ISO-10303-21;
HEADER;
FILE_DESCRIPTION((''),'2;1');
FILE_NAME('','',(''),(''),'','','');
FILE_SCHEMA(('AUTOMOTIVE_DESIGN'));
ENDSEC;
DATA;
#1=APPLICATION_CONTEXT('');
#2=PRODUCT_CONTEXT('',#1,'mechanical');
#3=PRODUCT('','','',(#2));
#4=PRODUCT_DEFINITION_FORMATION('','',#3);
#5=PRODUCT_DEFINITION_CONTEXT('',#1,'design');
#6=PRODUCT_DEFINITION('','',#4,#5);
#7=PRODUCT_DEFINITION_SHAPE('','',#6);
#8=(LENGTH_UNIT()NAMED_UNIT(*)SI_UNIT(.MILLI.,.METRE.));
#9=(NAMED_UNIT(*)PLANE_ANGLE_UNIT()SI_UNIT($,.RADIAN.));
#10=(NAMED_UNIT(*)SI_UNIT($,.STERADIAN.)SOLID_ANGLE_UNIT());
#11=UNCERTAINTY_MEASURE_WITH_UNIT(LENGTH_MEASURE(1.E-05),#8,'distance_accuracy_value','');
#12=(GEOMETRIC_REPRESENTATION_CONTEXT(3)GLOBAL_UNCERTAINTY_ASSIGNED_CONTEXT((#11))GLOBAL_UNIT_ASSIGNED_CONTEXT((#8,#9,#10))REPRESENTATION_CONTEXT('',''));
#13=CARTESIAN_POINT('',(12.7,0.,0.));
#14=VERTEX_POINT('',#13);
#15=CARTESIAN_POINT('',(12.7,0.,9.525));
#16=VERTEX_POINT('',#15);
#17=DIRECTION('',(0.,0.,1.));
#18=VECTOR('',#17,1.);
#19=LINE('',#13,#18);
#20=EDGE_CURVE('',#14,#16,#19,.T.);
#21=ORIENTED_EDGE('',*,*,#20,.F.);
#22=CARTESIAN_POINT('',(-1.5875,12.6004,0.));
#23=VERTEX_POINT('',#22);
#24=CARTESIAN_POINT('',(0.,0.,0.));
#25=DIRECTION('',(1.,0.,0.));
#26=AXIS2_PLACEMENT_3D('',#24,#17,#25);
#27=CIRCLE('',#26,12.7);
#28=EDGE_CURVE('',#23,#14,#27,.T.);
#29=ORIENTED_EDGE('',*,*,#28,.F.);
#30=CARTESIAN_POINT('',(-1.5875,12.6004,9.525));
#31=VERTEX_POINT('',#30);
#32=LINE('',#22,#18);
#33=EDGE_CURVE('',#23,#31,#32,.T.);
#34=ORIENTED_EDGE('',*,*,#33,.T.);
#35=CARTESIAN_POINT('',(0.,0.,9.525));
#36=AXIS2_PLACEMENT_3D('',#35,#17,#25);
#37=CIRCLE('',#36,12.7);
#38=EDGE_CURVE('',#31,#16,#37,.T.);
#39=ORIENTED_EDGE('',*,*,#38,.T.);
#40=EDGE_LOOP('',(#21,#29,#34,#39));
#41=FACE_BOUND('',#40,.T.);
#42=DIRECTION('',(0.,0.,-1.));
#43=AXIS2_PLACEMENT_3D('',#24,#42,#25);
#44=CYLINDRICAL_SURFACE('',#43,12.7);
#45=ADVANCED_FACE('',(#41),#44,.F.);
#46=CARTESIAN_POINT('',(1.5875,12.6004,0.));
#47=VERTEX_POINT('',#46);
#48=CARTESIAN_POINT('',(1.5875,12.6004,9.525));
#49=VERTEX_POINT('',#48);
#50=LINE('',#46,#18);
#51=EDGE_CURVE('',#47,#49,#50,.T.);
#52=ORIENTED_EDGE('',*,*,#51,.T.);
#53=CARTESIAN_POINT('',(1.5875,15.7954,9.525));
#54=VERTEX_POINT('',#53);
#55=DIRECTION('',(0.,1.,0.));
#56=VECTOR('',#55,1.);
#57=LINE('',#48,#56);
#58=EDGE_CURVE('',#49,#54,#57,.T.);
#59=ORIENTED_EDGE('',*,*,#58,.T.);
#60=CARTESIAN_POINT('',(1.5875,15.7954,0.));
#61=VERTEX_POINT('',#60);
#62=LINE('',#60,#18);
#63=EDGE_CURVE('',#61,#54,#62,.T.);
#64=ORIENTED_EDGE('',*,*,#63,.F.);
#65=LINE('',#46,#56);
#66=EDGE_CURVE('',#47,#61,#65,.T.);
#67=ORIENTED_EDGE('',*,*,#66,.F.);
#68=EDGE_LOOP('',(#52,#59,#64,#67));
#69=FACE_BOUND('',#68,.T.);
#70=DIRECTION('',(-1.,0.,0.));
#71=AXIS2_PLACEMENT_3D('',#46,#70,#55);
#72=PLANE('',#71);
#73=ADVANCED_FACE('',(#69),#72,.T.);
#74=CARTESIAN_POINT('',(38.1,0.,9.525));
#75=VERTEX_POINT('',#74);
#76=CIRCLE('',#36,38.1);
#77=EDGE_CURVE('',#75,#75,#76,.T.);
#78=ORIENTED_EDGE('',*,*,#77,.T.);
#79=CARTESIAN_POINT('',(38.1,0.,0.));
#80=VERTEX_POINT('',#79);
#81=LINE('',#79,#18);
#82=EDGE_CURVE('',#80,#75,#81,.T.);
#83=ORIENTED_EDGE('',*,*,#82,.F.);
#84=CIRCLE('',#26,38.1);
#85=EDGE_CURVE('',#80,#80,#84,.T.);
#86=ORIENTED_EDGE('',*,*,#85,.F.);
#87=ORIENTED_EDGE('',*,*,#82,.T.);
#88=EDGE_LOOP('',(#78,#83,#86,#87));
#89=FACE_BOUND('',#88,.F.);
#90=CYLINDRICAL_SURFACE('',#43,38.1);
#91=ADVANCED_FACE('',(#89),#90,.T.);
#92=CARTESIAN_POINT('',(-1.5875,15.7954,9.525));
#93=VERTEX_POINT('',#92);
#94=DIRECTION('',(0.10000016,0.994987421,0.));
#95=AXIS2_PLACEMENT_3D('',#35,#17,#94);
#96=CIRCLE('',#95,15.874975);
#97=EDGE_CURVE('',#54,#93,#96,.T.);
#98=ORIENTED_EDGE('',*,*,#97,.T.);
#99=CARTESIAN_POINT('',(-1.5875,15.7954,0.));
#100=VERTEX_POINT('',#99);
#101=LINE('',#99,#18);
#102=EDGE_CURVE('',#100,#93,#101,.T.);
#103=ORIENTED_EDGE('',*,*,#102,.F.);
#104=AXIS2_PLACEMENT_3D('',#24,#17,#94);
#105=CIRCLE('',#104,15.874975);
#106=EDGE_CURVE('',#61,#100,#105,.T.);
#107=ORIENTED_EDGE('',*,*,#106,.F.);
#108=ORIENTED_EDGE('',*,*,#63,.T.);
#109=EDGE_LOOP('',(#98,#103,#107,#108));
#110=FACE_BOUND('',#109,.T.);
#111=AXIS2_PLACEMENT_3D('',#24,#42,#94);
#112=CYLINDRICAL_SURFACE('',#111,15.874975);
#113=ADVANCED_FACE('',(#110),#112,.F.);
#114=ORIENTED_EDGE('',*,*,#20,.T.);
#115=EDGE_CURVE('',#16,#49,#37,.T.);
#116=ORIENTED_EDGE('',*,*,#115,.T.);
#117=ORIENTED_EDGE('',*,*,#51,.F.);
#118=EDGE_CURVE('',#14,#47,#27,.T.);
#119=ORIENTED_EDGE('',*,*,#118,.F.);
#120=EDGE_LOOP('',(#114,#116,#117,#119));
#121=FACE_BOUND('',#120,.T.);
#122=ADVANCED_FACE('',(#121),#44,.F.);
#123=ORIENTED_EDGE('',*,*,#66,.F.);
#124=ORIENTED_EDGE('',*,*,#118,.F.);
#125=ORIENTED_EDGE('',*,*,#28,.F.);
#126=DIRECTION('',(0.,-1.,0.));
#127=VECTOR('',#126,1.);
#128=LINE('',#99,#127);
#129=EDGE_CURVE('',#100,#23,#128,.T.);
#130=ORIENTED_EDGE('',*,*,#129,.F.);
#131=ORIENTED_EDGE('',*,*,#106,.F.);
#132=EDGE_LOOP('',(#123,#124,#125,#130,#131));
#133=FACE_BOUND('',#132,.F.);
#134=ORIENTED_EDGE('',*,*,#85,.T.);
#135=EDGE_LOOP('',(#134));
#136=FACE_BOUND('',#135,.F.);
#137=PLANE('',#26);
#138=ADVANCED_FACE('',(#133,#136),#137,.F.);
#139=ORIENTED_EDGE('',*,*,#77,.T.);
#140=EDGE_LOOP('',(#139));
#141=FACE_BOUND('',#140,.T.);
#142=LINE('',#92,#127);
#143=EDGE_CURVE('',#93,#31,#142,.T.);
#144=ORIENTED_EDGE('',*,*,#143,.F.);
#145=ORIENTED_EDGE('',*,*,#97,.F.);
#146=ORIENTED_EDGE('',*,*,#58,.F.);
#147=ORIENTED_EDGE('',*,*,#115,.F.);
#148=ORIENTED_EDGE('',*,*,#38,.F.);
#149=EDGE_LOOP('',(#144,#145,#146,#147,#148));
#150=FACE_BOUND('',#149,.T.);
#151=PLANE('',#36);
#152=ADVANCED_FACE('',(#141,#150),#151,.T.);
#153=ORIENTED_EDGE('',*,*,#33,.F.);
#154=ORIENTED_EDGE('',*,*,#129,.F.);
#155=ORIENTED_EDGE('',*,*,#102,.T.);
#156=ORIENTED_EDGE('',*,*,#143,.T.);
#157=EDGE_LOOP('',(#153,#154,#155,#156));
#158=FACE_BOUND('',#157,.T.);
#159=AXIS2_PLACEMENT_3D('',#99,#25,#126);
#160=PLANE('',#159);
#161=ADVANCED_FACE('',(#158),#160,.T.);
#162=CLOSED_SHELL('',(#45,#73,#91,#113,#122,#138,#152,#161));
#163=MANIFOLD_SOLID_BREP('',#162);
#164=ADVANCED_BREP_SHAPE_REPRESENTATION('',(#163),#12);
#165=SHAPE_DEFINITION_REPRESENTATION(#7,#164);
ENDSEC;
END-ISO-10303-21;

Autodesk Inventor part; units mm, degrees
ref_plane "YZ Plane" through (0, 0, 0) normal (1, 0, 0) x (0, 1, 0)
ref_plane "XZ Plane" through (0, 0, 0) normal (0, 1, 0) x (-1, 0, 0)
ref_plane "XY Plane" through (0, 0, 0) normal (0, 0, 1) x (1, 0, 0)
sketch "Sketch5" plane through (0, 0, 0) normal (0, 0, 1) x (1, 0, 0)
  circle A0 centre (0, 0) radius 38.1
  circle A1 centre (0, 0) radius 12.7
  arc A2 (1.5875, 15.7954) -> (-1.5875, 15.7954) centre (0, 0) ccw
  line L0 (0, 0) -> (0, 15.875) construction
  line L1 (-1.5875, 15.7954) -> (-1.5875, 12.6004)
  line L2 (1.5875, 12.6004) -> (1.5875, 15.7954)
  dimension "d11" = 76.2
  dimension "d12" = 25.4
  dimension "d13" = 31.75
  dimension "d14" = 1.5875
  dimension "d15" = 1.5875
extrude "Extrusion4" add sketch "Sketch5" along normal blind 9.525
properties part number "clutch03-simplyGearDisk" material "Polycarbonate, Smoke"
